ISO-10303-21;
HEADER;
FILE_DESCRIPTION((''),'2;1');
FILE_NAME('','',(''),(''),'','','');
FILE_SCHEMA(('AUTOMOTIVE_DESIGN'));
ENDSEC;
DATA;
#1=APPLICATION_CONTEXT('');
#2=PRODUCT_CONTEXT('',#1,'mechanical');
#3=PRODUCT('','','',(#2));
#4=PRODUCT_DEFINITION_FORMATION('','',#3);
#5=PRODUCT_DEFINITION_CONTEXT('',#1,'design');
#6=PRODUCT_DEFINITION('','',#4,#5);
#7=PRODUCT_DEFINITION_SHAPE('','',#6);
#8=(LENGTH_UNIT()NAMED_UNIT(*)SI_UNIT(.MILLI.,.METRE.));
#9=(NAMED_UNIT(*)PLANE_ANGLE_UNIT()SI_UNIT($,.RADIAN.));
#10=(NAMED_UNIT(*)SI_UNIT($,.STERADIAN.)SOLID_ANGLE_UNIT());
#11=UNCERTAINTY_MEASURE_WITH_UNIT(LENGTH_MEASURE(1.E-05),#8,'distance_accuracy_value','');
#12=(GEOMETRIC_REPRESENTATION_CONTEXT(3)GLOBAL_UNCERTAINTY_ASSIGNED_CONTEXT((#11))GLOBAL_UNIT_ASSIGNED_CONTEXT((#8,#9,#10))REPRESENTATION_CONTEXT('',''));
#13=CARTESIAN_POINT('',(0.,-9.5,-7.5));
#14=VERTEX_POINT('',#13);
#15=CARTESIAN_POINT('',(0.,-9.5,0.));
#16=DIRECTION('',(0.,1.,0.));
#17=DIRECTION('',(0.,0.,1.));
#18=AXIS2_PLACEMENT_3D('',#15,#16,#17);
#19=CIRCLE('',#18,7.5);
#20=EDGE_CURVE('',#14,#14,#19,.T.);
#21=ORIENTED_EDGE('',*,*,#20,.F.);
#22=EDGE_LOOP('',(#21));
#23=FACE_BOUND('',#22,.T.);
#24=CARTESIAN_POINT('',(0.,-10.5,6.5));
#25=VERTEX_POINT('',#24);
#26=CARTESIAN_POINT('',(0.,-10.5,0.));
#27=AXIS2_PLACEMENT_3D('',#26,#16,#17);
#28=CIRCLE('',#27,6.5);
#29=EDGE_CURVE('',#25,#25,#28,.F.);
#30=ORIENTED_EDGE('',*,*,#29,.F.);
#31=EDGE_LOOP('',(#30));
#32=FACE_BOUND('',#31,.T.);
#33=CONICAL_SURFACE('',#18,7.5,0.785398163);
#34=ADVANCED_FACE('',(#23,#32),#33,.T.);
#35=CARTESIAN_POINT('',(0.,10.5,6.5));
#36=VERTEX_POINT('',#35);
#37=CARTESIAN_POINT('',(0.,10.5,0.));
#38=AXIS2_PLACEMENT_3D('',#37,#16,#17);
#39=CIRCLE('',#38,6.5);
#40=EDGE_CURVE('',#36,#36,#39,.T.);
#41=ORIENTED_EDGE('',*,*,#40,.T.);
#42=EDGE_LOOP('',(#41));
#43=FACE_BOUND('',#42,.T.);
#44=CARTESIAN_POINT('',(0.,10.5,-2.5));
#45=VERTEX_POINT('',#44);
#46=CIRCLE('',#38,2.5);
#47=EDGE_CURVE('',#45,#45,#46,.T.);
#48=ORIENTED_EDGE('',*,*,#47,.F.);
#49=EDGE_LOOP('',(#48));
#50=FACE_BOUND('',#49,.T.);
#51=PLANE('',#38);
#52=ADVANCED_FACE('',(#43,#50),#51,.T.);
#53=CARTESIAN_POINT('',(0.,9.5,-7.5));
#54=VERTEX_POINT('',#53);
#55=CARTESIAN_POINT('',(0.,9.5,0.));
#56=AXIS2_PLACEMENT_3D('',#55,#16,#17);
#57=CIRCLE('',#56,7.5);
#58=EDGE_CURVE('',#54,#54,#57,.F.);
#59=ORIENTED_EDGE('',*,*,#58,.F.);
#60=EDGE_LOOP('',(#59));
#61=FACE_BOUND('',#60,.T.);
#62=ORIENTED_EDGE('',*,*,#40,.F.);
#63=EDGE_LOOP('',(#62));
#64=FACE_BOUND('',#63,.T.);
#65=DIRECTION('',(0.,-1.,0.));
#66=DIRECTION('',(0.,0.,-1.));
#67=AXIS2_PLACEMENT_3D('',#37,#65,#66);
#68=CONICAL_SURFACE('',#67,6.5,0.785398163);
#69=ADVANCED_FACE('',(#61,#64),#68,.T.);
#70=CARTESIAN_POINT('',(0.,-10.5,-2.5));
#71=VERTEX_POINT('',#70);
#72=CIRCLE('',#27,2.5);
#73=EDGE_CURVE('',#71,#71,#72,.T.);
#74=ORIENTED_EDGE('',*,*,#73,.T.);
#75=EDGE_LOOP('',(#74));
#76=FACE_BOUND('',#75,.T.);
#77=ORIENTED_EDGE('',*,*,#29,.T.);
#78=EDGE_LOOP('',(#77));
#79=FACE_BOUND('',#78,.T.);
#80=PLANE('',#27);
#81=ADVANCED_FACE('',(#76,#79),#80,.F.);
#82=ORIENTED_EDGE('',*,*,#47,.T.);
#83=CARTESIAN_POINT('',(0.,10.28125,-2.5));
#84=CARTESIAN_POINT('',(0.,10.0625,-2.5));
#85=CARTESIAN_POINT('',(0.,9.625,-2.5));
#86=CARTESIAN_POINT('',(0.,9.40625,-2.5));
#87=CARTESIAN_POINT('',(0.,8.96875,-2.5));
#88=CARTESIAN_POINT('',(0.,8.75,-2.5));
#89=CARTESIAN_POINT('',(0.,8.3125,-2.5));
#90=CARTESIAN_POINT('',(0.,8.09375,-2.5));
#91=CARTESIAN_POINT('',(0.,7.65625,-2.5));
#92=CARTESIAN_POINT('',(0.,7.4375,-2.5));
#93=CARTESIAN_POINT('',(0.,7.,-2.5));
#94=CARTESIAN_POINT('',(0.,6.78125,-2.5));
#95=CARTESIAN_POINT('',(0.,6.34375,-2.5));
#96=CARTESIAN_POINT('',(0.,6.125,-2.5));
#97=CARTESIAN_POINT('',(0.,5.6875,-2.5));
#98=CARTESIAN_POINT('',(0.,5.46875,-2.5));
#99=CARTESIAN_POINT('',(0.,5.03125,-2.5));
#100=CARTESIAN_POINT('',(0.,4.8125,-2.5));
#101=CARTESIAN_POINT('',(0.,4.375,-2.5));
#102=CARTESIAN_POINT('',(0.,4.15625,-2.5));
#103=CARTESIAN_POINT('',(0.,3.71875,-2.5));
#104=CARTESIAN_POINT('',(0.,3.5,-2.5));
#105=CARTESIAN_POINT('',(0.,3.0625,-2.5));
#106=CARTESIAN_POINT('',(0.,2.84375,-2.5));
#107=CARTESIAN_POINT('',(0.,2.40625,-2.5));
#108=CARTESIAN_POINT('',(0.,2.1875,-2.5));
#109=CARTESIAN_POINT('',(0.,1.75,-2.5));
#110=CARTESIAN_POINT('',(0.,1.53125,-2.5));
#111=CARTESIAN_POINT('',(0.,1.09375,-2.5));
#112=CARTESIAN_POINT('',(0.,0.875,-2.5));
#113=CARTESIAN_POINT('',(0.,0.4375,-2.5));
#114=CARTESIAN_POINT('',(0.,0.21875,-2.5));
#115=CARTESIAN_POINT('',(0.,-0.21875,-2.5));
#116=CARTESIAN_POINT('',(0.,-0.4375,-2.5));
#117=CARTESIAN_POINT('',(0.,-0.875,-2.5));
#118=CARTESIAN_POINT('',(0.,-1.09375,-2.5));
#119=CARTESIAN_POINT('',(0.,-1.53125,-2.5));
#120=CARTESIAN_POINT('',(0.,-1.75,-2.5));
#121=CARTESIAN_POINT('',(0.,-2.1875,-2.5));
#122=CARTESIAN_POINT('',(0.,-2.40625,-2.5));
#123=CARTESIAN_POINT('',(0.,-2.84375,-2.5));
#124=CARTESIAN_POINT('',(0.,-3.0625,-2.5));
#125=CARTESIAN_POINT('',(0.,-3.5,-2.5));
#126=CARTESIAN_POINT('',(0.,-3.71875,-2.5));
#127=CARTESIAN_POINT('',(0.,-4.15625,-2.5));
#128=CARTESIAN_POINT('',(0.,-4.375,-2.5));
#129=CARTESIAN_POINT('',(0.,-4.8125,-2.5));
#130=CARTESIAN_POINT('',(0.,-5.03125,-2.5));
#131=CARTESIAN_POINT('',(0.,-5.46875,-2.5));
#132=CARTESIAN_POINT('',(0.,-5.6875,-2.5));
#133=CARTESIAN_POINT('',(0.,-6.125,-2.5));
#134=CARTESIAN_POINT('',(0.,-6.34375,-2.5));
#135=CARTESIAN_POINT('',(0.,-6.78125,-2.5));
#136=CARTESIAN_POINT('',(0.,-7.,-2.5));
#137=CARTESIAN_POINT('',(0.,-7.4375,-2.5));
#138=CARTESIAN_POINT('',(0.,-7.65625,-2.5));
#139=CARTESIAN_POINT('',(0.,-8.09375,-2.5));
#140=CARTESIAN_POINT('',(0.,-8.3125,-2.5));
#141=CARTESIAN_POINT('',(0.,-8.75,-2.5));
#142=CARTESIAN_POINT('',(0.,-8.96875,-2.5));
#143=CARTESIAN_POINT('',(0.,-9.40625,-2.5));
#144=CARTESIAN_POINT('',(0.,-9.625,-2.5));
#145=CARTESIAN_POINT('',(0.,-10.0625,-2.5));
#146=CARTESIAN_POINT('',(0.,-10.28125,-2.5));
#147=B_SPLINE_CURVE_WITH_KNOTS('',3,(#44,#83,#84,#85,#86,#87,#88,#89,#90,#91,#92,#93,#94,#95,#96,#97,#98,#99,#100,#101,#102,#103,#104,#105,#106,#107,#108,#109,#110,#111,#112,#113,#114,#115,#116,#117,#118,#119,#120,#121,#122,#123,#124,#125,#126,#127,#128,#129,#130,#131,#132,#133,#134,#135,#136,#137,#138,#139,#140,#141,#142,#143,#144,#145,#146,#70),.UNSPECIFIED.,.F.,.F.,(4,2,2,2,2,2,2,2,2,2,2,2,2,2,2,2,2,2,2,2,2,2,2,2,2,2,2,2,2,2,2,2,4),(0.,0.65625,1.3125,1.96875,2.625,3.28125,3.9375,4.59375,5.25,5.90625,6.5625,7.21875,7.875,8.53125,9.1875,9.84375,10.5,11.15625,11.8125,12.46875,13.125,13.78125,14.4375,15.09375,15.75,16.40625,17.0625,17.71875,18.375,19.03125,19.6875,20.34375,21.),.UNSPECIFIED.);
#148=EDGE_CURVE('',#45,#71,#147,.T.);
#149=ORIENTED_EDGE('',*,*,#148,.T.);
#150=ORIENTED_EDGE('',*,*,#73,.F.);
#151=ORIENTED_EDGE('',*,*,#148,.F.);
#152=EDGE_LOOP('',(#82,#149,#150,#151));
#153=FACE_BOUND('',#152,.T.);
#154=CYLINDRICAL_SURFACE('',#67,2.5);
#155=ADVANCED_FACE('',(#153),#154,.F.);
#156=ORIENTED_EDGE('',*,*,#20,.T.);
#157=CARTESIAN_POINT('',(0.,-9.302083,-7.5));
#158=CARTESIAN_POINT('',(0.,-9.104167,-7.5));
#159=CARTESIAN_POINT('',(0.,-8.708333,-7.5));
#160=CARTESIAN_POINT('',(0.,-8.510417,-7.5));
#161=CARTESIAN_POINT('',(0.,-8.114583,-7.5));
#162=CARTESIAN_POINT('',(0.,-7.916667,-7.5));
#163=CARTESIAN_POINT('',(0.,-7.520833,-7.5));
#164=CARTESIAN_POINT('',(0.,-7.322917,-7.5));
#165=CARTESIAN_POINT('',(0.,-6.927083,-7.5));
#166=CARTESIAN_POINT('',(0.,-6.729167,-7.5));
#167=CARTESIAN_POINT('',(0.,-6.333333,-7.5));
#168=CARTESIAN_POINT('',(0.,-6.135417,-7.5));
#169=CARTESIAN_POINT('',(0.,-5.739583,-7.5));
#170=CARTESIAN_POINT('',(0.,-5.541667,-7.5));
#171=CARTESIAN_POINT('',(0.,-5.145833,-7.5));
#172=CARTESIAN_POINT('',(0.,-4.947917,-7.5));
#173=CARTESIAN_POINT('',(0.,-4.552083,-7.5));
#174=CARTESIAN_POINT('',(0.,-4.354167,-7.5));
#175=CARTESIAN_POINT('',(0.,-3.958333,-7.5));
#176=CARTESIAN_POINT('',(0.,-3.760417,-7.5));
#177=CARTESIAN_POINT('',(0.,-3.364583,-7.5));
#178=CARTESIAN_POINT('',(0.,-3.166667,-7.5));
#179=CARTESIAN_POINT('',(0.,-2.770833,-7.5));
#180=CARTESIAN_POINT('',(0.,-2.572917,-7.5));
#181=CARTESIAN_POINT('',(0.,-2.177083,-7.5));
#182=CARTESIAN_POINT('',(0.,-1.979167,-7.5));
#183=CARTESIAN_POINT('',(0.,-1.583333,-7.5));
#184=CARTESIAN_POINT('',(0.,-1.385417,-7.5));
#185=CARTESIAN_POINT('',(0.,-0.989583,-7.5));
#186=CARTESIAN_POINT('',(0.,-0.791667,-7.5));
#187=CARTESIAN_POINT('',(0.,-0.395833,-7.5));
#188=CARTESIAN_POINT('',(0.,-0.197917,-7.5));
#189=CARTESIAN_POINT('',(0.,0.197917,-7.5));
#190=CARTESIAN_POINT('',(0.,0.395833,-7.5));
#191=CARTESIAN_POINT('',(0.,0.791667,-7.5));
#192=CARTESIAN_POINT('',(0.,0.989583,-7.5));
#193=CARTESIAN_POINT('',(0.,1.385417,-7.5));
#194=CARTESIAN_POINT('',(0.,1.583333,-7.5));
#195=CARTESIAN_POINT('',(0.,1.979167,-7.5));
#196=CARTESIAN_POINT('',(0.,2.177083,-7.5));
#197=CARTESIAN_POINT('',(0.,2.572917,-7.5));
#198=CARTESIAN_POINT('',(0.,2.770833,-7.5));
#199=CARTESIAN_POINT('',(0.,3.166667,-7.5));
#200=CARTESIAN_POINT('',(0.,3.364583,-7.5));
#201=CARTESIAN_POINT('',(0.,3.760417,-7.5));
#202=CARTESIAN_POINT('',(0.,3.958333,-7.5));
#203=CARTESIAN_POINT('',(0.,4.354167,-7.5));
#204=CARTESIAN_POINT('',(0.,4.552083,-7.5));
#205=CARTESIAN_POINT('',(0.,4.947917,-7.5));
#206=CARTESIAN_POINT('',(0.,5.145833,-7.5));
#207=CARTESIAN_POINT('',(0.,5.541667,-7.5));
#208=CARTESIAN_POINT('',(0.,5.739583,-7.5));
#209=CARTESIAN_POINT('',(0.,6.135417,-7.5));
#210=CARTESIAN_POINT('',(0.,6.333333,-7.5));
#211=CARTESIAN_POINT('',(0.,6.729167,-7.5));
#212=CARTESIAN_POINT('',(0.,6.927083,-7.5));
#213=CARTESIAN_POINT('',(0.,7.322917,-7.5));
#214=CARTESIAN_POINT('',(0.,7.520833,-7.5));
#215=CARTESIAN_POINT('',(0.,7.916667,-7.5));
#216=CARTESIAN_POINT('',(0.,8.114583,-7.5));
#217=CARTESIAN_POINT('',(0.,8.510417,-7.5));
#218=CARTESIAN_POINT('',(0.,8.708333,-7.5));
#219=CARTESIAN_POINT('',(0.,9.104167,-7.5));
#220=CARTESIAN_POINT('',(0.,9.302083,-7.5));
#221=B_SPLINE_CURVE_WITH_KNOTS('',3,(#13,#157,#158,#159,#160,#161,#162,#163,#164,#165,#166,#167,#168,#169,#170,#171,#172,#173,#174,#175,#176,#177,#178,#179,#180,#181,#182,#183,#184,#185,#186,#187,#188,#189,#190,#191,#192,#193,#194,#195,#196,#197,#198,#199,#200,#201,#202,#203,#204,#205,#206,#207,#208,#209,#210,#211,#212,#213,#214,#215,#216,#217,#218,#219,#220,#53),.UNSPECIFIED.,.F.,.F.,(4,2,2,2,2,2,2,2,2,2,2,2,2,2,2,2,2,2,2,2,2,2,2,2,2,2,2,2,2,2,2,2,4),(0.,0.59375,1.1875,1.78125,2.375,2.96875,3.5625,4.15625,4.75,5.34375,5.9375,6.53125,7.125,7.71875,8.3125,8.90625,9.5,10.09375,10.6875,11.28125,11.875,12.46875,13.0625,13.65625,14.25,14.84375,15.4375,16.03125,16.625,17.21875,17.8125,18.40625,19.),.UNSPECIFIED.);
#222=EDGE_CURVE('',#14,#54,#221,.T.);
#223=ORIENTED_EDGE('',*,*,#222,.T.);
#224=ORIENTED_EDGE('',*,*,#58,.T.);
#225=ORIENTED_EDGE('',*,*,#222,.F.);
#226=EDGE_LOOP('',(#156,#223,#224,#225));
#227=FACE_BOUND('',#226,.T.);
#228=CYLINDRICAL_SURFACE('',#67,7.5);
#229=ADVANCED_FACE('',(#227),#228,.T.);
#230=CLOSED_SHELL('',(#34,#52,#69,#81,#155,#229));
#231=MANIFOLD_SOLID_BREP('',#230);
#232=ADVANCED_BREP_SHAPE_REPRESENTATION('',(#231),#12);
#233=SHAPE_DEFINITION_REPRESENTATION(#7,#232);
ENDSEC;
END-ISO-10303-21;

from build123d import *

# Parameters (mm, degrees)
SKETCH_1_R      = 7.5
SKETCH_1_R_2    = 2.5
EXTRUDE_1_DEPTH = 10.5
CHAMFER_1_SIZE  = 1


with BuildPart() as part:
    # Эскиз1 → Бобышка-Вытянуть1 (new, symmetric)
    with BuildSketch(Plane(origin=(0, 0, 0), x_dir=(1, 0, 0), z_dir=(0, 1, 0))):
        with Locations(Location((0, 0, 0), (0, 0, 90))):
            Circle(SKETCH_1_R)
        with Locations(Location((0, 0, 0), (0, 0, 90))):
            Circle(SKETCH_1_R_2, mode=Mode.SUBTRACT)
    extrude(amount=EXTRUDE_1_DEPTH, both=True)

    # Фаска1
    chamfer_1_edges = [part.edges().sort_by_distance(p)[0] for p in [
        (0, -10.5, 7.5),
        (0, 10.5, 7.5),
    ]]
    chamfer(chamfer_1_edges, length=CHAMFER_1_SIZE)


solid = part.part
